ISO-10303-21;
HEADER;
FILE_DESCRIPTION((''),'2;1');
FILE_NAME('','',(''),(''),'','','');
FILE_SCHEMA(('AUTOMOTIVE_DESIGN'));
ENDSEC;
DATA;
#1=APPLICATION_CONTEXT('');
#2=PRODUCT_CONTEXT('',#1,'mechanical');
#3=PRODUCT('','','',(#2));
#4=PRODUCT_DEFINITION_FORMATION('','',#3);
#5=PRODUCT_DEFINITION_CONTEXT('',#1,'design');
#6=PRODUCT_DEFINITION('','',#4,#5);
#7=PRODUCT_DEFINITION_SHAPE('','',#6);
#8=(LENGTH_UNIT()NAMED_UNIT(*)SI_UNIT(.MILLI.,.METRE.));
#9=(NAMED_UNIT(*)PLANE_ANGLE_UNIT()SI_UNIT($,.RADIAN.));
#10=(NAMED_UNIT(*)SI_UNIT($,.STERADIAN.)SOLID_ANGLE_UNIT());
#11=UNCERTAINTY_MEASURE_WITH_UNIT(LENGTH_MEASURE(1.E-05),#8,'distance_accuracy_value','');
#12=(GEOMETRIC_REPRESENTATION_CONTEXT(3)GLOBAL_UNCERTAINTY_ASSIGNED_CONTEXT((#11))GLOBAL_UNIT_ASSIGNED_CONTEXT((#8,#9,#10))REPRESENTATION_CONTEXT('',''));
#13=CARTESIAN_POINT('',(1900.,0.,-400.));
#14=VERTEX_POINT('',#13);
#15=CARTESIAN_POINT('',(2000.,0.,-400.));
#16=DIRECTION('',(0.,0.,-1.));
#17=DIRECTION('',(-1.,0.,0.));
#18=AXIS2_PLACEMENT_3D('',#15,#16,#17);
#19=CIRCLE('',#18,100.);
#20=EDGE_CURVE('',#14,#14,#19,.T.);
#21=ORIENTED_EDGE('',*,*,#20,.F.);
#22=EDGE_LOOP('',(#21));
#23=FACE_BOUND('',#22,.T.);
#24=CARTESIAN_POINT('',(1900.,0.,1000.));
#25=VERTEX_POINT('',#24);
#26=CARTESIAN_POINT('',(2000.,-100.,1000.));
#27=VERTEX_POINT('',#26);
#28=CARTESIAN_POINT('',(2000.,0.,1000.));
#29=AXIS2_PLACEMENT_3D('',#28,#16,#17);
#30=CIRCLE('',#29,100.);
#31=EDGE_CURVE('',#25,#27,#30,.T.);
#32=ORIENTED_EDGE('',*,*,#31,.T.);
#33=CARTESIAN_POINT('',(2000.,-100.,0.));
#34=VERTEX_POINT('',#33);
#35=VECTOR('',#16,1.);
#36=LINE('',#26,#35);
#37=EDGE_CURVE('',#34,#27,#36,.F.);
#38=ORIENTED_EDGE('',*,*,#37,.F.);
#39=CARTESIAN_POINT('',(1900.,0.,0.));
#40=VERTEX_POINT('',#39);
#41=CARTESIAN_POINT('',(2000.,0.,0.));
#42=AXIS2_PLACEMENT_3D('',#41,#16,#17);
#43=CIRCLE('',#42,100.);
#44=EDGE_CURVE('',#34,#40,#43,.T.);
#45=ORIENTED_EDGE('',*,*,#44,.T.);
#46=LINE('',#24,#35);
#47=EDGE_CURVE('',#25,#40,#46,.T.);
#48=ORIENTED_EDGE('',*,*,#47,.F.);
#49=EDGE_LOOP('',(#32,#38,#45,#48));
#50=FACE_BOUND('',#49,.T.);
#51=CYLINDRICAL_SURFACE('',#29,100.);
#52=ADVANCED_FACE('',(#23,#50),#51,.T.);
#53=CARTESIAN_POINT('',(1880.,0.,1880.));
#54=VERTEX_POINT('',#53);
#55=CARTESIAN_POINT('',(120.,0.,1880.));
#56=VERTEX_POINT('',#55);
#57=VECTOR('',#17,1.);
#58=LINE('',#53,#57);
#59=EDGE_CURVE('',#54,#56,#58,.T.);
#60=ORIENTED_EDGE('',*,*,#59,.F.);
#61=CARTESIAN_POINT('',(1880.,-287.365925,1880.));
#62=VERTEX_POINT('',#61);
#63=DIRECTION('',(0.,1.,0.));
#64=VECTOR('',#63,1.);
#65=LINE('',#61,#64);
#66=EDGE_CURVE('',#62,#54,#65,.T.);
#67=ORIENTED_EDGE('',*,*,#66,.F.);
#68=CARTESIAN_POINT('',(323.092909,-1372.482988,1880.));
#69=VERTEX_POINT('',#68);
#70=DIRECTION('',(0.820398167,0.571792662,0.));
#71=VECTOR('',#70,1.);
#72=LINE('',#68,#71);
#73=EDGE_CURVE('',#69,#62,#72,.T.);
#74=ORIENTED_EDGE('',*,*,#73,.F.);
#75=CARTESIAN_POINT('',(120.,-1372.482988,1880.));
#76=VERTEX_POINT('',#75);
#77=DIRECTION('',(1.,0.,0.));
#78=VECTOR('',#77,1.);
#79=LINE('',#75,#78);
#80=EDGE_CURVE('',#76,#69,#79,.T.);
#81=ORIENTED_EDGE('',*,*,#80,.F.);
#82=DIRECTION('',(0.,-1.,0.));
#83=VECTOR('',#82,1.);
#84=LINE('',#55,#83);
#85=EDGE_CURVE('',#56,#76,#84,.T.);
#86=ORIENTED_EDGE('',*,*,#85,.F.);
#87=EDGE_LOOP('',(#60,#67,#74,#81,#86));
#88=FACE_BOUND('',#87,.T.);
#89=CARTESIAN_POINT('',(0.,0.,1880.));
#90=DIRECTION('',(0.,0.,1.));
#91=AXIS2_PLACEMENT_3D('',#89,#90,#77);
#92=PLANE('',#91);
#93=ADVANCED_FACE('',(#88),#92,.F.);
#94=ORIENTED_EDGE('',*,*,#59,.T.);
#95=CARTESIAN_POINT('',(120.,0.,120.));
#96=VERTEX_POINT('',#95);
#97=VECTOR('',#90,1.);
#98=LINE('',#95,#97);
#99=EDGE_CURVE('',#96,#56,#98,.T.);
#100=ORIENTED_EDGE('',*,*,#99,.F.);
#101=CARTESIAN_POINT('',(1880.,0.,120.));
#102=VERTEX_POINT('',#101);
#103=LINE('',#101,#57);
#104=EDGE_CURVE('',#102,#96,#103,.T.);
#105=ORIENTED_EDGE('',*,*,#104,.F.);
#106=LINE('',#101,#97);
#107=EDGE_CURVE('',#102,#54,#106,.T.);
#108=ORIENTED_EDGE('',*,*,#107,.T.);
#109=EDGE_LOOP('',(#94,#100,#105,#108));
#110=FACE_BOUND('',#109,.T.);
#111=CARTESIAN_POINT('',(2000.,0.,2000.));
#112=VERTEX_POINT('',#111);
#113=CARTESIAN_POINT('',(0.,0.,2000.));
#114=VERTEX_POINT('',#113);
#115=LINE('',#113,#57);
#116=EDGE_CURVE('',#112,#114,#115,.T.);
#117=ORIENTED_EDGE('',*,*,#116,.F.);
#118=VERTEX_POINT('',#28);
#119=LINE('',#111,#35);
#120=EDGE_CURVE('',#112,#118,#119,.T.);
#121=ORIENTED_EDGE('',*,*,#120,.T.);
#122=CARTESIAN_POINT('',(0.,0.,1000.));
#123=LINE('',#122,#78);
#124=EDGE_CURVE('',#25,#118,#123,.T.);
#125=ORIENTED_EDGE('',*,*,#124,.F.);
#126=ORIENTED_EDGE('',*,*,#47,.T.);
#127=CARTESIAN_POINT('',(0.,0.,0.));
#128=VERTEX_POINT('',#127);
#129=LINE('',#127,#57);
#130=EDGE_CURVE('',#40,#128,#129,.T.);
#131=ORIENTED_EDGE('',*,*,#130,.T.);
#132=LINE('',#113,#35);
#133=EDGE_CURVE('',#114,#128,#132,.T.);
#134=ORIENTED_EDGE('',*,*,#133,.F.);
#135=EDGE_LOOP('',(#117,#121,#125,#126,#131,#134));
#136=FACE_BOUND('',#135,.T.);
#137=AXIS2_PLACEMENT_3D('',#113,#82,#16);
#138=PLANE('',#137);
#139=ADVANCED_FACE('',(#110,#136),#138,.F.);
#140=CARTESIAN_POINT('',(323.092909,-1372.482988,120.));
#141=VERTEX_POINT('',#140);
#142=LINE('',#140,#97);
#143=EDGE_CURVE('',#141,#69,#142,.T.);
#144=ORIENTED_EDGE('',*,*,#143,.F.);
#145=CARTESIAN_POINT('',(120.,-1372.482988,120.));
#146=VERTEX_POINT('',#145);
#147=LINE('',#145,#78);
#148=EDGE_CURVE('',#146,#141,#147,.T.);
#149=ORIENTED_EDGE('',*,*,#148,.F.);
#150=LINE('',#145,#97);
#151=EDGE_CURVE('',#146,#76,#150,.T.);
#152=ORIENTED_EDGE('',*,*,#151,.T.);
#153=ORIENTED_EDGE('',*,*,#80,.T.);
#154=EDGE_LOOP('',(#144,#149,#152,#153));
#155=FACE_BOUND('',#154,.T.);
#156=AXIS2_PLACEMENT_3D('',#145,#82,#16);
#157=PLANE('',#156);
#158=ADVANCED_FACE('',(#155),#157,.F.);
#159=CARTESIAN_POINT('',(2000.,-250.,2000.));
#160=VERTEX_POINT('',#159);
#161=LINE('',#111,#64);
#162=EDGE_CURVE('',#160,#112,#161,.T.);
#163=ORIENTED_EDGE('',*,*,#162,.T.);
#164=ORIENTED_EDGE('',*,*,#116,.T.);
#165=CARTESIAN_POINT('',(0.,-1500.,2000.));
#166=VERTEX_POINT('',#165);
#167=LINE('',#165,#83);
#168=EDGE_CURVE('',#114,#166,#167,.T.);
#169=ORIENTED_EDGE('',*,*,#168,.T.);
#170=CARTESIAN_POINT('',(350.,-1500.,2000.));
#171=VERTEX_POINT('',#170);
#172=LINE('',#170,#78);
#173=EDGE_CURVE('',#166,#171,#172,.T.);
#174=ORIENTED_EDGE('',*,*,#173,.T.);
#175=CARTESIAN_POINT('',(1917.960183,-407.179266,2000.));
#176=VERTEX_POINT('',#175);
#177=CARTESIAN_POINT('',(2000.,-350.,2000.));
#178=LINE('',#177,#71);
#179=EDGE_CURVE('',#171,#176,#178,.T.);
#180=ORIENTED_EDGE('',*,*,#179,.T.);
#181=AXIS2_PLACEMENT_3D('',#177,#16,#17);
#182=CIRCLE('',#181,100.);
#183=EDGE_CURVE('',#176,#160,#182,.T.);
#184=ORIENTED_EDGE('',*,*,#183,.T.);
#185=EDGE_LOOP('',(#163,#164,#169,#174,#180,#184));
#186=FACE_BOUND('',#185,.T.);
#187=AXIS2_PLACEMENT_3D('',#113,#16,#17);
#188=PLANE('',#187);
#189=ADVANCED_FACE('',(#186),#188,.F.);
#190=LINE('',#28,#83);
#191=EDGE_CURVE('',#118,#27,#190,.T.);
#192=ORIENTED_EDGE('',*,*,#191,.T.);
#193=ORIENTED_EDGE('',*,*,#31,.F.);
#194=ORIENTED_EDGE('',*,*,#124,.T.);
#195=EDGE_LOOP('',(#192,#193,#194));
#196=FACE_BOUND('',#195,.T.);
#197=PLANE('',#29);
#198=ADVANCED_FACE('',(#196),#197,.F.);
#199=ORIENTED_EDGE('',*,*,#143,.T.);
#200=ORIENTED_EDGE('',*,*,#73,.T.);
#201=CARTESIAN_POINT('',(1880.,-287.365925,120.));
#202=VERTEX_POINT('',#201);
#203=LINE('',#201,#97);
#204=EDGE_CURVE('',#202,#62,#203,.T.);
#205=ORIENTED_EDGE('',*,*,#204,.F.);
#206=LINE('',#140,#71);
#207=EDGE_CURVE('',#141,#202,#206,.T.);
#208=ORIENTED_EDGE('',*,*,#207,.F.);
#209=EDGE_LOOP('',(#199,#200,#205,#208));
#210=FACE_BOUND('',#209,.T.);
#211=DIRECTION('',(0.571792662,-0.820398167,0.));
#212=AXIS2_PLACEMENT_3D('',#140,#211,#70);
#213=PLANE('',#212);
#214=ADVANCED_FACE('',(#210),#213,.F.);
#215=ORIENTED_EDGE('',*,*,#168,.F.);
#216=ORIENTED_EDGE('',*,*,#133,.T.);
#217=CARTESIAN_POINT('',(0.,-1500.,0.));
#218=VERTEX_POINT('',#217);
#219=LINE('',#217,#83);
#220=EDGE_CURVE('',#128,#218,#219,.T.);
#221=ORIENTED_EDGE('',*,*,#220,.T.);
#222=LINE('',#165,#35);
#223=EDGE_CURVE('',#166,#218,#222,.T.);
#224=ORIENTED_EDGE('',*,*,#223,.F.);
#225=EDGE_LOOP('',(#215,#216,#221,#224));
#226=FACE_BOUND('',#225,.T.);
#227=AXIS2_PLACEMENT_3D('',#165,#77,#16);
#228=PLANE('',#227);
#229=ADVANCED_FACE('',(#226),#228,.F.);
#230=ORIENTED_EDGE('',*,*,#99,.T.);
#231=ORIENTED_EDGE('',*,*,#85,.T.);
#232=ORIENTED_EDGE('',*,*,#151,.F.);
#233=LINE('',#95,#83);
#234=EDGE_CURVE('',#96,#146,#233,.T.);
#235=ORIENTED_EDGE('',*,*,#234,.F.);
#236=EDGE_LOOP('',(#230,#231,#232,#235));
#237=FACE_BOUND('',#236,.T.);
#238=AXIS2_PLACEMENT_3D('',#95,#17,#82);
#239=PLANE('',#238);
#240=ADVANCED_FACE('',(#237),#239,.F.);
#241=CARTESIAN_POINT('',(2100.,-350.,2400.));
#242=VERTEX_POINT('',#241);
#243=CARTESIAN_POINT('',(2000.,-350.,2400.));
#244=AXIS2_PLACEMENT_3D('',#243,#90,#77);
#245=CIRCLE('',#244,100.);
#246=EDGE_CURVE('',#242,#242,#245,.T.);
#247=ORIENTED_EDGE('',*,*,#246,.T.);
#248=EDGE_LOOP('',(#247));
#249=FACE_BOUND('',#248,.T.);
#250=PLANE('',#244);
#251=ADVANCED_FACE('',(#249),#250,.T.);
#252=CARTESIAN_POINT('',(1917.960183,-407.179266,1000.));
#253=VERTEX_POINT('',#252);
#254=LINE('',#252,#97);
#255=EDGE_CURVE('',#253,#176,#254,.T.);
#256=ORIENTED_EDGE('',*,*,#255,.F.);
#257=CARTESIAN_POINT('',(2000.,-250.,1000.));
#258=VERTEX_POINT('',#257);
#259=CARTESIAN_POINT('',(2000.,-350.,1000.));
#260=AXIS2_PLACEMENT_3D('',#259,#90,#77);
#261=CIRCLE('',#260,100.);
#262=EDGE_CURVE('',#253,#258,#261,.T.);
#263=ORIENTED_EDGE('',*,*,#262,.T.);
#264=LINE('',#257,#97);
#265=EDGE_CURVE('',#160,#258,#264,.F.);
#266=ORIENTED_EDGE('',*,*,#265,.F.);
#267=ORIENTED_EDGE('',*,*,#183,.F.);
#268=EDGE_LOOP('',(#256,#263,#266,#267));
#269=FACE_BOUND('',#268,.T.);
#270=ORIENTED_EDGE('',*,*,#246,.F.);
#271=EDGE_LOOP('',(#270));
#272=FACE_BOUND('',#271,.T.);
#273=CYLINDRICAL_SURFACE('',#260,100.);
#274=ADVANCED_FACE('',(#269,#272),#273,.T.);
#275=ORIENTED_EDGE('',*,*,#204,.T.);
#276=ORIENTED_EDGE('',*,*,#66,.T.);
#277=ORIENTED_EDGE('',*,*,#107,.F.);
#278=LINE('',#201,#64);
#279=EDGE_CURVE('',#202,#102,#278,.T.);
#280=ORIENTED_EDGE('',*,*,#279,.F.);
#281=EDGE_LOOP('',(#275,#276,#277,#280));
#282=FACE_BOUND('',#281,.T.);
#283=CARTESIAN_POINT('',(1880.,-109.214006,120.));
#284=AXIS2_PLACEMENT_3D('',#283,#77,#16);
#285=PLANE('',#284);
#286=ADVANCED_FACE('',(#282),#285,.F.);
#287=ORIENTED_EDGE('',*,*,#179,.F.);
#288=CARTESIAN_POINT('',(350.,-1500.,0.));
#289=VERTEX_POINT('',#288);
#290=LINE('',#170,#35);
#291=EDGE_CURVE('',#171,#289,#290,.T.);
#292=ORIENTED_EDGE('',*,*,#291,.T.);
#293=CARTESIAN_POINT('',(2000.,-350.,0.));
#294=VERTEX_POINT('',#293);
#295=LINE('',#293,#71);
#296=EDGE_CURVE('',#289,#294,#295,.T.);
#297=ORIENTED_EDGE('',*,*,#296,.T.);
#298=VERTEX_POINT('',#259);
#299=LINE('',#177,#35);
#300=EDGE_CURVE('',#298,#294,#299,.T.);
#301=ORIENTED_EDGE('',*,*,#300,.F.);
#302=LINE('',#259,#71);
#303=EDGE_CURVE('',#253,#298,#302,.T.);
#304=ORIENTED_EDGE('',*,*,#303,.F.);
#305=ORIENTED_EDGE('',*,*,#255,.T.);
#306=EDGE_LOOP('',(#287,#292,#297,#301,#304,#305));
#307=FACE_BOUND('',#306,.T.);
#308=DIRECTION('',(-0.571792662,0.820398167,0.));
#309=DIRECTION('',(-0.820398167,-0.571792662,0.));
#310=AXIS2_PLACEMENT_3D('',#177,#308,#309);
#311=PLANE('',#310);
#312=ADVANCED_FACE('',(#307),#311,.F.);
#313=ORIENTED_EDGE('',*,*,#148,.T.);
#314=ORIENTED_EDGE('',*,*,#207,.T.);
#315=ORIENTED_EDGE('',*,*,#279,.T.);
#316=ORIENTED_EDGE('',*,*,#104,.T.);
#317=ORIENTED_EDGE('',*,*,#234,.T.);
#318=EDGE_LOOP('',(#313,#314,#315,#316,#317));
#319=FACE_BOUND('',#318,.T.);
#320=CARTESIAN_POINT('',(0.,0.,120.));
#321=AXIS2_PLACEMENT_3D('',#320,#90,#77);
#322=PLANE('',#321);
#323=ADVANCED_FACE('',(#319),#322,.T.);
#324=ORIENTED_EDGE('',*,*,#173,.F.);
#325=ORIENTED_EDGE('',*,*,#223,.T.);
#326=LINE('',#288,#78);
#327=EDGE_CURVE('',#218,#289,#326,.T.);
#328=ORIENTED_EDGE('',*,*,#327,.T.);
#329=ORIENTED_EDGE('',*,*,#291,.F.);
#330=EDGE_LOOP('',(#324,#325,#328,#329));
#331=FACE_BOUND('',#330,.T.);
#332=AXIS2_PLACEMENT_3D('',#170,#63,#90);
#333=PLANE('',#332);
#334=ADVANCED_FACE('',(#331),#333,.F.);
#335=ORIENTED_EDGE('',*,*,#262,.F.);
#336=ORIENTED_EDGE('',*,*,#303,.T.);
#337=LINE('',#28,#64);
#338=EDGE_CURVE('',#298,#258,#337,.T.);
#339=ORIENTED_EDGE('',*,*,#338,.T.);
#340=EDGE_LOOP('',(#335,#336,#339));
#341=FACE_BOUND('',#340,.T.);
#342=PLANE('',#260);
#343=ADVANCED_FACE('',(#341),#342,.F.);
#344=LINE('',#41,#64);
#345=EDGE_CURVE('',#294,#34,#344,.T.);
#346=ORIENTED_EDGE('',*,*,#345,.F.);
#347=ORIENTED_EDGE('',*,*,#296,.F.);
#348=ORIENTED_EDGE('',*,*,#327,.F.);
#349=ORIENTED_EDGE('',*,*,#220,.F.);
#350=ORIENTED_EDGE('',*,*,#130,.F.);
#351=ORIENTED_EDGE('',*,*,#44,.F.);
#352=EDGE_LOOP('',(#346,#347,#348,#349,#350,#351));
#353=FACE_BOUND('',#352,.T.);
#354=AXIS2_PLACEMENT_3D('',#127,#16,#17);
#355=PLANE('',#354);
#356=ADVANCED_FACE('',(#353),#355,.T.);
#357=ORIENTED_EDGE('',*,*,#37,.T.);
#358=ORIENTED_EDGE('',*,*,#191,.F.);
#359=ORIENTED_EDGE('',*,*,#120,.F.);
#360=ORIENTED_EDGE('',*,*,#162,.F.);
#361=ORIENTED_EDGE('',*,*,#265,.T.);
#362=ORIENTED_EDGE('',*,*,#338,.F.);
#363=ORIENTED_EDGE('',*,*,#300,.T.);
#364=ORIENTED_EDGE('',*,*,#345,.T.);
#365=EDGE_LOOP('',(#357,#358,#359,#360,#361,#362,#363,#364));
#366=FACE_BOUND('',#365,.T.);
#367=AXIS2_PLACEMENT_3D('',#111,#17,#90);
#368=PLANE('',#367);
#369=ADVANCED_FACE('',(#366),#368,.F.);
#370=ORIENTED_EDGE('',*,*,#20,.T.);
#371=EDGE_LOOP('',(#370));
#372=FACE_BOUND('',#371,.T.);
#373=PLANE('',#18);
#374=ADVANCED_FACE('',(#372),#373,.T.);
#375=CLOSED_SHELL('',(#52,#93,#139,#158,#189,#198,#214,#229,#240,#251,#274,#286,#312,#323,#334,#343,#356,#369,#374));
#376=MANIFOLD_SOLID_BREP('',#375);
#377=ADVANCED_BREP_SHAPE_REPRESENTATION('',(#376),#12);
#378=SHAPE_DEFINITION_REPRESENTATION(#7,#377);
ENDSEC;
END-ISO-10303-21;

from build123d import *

# Parameters (mm, degrees)
BOSS_EXTRUDE1_DEPTH      = 2000
CUT_EXTRUDE1_DEPTH       = 1880
BOSS_EXTRUDE2_DEPTH      = 120
BOSS_EXTRUDE3_DEPTH      = 400
BOSS_EXTRUDE3_DEPTH_BACK = 1000
SKETCH6_R                = 100
BOSS_EXTRUDE4_DEPTH      = 400
BOSS_EXTRUDE4_DEPTH_BACK = 1000
SKETCH7_R                = 100


with BuildPart() as part:
    # Sketch3 → Boss-Extrude1 (new body)
    with BuildSketch(Plane.XY):
        Polygon((0, 0), (2000, 0), (2000, -350), (350, -1500), (0, -1500), align=None)
    extrude(amount=BOSS_EXTRUDE1_DEPTH)

    # Sketch4 → Cut-Extrude1 (cut)
    with BuildSketch(Plane.XY.offset(2000)):
        Polygon((120, 0), (120, -1372.482987962), (323.092909156, -1372.482987962), (1880, -287.365924646), (1880, -109.214006034), (1880, 0), align=None)
    extrude(amount=-CUT_EXTRUDE1_DEPTH, mode=Mode.SUBTRACT)

    # Sketch5 → Boss-Extrude2 (add)
    with BuildSketch(Plane.XY.offset(2000)):
        Polygon((120, 0), (120, -1372.482987962), (323.092909156, -1372.482987962), (1880, -287.365924646), (1880, 0), align=None)
    extrude(amount=-BOSS_EXTRUDE2_DEPTH)

    # Sketch6 → Boss-Extrude3 (add, two sides: drawn at the far end of the back side and taken through both)
    with BuildSketch(Plane(origin=(0, 0, 0), x_dir=(-1, 0, 0), z_dir=(0, 0, -1)).offset(-BOSS_EXTRUDE3_DEPTH_BACK)):
        with Locations((-2000, 0)):
            Circle(SKETCH6_R)
    extrude(amount=BOSS_EXTRUDE3_DEPTH + BOSS_EXTRUDE3_DEPTH_BACK)

    # Sketch7 → Boss-Extrude4 (add, two sides: drawn at the far end of the back side and taken through both)
    with BuildSketch(Plane.XY.offset(2000).offset(-BOSS_EXTRUDE4_DEPTH_BACK)):
        with Locations((2000, -350)):
            Circle(SKETCH7_R)
    extrude(amount=BOSS_EXTRUDE4_DEPTH + BOSS_EXTRUDE4_DEPTH_BACK)


solid = part.part
